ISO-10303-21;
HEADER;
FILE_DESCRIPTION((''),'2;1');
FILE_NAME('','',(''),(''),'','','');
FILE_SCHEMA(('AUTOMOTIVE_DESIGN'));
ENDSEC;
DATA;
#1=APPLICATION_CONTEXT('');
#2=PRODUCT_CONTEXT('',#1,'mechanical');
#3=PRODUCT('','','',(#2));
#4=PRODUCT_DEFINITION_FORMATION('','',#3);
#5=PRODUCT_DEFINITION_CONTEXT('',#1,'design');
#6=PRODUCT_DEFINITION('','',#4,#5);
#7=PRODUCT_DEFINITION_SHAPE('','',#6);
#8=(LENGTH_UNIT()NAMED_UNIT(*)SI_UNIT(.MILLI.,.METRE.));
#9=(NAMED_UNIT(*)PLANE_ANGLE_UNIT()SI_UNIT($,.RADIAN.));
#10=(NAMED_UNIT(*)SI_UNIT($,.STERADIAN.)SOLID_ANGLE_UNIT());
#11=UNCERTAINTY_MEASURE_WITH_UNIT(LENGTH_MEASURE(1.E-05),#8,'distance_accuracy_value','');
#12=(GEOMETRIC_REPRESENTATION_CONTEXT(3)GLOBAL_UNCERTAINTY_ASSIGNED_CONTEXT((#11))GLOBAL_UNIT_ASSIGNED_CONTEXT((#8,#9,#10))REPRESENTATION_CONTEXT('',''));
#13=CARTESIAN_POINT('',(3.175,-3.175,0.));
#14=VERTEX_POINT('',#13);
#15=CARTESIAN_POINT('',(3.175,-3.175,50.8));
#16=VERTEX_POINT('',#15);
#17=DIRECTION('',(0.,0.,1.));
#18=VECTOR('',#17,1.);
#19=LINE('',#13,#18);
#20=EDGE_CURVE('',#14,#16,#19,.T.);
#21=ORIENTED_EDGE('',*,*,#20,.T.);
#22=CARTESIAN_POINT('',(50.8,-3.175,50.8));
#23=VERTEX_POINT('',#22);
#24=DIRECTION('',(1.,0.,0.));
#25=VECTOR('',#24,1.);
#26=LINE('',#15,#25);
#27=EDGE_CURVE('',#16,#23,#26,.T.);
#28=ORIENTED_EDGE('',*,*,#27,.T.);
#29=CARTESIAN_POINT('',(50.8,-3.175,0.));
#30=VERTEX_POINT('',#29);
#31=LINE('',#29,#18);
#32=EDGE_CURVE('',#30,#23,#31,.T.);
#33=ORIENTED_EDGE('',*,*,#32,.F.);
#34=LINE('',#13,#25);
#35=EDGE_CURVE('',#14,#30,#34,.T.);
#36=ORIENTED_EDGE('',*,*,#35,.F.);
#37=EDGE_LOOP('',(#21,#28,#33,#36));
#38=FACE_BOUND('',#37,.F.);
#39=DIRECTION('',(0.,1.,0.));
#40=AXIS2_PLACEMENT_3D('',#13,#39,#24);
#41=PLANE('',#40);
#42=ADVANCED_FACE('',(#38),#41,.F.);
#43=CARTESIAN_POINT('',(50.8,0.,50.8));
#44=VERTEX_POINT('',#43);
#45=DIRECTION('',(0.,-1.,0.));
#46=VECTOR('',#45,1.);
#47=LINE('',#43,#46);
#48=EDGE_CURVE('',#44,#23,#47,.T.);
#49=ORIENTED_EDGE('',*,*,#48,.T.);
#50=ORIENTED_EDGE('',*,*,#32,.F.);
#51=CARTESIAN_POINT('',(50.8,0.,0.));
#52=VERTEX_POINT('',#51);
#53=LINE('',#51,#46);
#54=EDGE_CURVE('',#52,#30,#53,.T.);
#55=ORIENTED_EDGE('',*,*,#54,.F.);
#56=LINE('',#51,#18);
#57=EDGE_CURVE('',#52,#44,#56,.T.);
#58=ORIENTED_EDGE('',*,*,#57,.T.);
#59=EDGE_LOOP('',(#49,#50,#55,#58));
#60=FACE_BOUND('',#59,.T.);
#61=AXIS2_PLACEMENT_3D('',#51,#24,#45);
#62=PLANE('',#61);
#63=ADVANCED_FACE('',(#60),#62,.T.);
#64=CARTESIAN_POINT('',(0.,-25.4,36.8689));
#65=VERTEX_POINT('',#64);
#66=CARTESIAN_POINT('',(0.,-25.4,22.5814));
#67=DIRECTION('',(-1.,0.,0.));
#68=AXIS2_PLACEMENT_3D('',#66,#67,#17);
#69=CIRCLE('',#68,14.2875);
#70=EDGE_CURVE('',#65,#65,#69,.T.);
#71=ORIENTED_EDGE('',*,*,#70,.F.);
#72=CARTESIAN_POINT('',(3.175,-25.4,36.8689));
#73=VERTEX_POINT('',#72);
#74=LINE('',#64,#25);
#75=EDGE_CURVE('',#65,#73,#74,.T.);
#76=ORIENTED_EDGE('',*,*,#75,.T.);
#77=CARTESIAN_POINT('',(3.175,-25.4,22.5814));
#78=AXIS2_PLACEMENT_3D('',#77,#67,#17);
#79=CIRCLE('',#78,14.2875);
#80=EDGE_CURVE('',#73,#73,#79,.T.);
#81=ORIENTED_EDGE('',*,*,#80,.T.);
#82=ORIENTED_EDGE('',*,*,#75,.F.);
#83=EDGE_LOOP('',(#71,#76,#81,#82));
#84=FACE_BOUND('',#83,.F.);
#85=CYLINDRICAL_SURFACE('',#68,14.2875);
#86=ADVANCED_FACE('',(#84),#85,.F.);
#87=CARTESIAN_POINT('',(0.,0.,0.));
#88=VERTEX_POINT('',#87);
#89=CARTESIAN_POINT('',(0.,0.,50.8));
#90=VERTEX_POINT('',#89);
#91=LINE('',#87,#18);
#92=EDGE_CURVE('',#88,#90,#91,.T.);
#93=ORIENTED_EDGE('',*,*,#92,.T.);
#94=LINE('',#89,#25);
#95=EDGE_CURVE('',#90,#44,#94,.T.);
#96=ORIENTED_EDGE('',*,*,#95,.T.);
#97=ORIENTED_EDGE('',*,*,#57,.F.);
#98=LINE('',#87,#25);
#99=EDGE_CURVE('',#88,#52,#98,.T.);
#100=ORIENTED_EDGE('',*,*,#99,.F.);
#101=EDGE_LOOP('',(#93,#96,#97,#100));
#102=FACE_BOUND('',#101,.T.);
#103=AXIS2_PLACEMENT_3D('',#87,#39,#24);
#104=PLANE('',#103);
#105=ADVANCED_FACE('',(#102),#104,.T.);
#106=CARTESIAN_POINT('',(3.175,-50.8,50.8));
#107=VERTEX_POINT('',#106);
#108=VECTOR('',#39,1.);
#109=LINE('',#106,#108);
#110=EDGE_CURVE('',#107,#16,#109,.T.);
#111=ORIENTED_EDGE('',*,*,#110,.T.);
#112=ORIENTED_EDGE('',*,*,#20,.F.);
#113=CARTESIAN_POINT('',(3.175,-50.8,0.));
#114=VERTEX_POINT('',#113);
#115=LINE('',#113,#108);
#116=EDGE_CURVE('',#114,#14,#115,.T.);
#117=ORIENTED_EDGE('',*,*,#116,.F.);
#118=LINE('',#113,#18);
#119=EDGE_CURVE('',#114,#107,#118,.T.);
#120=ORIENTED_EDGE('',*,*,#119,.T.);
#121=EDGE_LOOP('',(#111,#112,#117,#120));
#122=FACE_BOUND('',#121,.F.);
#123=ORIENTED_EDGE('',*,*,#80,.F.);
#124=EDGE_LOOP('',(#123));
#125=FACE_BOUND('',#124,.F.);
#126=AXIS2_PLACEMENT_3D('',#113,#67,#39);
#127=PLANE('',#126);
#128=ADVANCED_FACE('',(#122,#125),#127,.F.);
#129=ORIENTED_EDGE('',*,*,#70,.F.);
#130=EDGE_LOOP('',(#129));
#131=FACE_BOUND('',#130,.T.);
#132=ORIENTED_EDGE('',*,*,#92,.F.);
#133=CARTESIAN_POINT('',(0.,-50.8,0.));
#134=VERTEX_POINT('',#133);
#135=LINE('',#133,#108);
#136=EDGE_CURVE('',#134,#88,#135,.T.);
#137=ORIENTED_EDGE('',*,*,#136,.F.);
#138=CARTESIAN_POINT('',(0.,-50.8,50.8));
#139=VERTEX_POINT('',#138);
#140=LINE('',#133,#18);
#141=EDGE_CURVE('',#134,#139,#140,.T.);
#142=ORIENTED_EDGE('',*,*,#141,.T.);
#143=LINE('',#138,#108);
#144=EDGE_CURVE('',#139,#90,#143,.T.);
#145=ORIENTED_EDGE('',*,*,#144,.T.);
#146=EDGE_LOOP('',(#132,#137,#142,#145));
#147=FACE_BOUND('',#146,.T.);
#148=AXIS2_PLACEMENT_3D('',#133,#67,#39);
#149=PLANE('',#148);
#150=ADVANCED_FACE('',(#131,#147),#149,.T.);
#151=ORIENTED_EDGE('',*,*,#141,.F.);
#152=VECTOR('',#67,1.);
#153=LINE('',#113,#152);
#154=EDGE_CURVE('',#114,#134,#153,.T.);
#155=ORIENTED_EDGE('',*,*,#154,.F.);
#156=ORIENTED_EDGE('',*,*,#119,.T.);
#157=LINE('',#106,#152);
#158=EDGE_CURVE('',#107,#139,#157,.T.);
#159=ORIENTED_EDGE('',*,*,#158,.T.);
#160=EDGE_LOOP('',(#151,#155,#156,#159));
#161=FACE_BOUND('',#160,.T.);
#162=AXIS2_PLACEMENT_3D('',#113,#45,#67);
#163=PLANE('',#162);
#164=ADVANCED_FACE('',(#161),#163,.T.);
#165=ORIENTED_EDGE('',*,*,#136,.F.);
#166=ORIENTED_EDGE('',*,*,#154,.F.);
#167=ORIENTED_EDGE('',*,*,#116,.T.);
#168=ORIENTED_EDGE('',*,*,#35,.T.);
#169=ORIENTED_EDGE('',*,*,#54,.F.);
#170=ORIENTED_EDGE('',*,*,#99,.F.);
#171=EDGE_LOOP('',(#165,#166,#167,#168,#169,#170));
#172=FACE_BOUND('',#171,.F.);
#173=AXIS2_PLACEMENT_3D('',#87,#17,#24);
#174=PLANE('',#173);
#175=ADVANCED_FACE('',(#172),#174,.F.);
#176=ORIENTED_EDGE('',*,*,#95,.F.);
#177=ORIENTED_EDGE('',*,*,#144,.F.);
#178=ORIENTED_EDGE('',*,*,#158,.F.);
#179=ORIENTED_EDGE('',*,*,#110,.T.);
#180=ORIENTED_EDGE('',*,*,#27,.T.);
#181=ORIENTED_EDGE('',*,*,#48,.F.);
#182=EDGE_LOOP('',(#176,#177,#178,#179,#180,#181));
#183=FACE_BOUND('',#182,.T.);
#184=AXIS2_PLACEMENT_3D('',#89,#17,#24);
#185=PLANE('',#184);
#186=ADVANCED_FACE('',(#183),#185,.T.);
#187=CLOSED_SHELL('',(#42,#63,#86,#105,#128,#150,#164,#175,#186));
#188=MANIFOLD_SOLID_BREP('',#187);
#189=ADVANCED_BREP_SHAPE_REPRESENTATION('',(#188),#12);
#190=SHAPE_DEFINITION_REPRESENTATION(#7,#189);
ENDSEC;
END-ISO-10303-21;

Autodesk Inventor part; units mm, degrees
ref_plane "YZ Plane" through (0, 0, 0) normal (1, 0, 0) x (0, 1, 0)
ref_plane "XZ Plane" through (0, 0, 0) normal (0, 1, 0) x (-1, 0, 0)
ref_plane "XY Plane" through (0, 0, 0) normal (0, 0, 1) x (1, 0, 0)
sketch "Sketch1" plane through (0, 0, 0) normal (0, 0, 1) x (1, 0, 0)
  line L0 (0, 0) -> (50.8, 0)
  line L1 (50.8, 0) -> (50.8, -3.175)
  line L2 (3.175, -50.8) -> (0, -50.8)
  line L3 (0, -50.8) -> (0, 0)
  line L4 (3.175, -50.8) -> (3.175, -3.175)
  line L5 (3.175, -3.175) -> (50.8, -3.175)
  dimension "d0" = 50.8
  dimension "d1" = 50.8
  dimension "d2" = 3.175
  dimension "d3" = 3.175
extrude "Extrusion1" add sketch "Sketch1" along normal blind 50.8
sketch "Sketch2" plane through (0, -50.8, 0) normal (-1, 0, 0) x (0, 0, 1)
  circle A0 centre (22.5814, 25.4) radius 14.2875
  line L0 (0, 50.8) -> (50.8, 50.8) projected
  line L1 (0, 0) -> (50.8, 0) projected
  dimension "d6" = 25.4
  dimension "d7" = 25.4
  dimension "d8" = 28.575
extrude "Extrusion2" cut sketch "Sketch2" against normal through all
properties part number "Lbracket" material "Aluminum 6061"
